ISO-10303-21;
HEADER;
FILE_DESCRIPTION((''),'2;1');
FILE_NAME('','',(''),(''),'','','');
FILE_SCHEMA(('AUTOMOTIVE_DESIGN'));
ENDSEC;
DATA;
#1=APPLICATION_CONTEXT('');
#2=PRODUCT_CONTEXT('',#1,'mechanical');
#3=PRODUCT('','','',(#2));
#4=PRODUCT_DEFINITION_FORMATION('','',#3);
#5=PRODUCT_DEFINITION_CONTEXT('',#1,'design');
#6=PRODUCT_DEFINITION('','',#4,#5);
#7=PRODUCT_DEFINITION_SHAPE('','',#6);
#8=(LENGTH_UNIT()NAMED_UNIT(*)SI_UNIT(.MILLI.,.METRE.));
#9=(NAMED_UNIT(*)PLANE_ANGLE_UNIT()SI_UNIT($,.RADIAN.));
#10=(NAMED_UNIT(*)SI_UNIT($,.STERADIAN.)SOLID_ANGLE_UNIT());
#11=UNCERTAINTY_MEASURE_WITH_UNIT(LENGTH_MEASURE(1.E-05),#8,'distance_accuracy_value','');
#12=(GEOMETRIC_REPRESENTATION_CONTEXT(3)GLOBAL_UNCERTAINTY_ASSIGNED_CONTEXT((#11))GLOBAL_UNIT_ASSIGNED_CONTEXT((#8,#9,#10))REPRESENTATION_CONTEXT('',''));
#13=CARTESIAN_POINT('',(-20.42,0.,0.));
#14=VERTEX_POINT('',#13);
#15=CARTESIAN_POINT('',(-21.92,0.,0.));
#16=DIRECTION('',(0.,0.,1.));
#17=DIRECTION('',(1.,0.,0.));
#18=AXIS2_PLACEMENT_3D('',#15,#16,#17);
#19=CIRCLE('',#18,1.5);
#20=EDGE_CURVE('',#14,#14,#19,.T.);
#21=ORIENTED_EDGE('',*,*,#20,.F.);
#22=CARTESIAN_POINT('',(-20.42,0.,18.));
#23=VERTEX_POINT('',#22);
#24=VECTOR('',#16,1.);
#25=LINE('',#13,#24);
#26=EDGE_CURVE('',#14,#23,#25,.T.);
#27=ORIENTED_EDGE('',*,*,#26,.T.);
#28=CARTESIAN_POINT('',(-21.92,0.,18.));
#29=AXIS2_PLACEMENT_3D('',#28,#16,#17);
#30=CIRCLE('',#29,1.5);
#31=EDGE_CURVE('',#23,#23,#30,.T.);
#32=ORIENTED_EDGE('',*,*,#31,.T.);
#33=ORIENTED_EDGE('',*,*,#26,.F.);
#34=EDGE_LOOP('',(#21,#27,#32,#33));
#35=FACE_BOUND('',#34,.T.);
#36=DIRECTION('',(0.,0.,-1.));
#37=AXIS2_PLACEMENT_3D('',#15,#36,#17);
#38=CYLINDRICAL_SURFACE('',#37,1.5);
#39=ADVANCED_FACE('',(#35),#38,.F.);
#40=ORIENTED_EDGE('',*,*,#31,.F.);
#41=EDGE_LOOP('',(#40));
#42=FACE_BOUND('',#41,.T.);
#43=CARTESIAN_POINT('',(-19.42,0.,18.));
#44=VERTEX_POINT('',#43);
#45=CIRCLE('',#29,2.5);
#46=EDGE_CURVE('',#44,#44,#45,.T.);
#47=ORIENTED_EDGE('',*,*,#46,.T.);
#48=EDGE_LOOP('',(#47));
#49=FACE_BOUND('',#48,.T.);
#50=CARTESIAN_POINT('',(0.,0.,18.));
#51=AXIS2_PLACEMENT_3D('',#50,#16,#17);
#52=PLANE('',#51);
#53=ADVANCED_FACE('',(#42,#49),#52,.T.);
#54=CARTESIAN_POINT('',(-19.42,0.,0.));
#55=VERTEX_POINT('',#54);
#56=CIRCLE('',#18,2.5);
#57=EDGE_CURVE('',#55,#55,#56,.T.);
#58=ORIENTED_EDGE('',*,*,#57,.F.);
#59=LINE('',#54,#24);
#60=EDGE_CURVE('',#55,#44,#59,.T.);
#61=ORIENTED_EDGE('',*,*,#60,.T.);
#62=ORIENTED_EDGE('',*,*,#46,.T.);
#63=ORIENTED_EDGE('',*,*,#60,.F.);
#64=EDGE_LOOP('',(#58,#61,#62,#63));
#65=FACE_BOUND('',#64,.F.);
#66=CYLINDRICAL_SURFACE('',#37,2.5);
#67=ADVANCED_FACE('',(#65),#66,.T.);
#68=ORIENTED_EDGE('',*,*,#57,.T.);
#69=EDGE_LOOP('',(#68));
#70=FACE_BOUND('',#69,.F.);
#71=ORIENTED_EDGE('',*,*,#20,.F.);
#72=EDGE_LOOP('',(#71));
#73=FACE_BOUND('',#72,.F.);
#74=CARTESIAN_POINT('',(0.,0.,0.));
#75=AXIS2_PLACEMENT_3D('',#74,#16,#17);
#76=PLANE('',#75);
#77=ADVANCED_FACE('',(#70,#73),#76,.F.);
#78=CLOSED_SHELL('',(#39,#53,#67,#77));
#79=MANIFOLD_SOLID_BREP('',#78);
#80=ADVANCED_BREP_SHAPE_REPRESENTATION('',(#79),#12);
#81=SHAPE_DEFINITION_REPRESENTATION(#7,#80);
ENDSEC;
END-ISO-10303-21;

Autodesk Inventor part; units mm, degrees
ref_plane "YZ Plane" through (0, 0, 0) normal (1, 0, 0) x (0, 1, 0)
ref_plane "XZ Plane" through (0, 0, 0) normal (0, 1, 0) x (-1, 0, 0)
ref_plane "XY Plane" through (0, 0, 0) normal (0, 0, 1) x (1, 0, 0)
sketch "Sketch1" plane through (0, 0, 0) normal (0, 0, 1) x (1, 0, 0)
  circle A0 centre (-21.92, 0) radius 1.6 projected
  circle A1 centre (-21.92, 0) radius 2.5
  circle A2 centre (-21.92, 0) radius 1.5
  point P0 (0, 0)
  dimension "d0" = 5
  dimension "d1" = 3
extrude "Extrusion1" add sketch "Sketch1" along normal blind 18 contours A0 | A1
properties part number "20x5 mm spacer" material "Aluminum 6061"
